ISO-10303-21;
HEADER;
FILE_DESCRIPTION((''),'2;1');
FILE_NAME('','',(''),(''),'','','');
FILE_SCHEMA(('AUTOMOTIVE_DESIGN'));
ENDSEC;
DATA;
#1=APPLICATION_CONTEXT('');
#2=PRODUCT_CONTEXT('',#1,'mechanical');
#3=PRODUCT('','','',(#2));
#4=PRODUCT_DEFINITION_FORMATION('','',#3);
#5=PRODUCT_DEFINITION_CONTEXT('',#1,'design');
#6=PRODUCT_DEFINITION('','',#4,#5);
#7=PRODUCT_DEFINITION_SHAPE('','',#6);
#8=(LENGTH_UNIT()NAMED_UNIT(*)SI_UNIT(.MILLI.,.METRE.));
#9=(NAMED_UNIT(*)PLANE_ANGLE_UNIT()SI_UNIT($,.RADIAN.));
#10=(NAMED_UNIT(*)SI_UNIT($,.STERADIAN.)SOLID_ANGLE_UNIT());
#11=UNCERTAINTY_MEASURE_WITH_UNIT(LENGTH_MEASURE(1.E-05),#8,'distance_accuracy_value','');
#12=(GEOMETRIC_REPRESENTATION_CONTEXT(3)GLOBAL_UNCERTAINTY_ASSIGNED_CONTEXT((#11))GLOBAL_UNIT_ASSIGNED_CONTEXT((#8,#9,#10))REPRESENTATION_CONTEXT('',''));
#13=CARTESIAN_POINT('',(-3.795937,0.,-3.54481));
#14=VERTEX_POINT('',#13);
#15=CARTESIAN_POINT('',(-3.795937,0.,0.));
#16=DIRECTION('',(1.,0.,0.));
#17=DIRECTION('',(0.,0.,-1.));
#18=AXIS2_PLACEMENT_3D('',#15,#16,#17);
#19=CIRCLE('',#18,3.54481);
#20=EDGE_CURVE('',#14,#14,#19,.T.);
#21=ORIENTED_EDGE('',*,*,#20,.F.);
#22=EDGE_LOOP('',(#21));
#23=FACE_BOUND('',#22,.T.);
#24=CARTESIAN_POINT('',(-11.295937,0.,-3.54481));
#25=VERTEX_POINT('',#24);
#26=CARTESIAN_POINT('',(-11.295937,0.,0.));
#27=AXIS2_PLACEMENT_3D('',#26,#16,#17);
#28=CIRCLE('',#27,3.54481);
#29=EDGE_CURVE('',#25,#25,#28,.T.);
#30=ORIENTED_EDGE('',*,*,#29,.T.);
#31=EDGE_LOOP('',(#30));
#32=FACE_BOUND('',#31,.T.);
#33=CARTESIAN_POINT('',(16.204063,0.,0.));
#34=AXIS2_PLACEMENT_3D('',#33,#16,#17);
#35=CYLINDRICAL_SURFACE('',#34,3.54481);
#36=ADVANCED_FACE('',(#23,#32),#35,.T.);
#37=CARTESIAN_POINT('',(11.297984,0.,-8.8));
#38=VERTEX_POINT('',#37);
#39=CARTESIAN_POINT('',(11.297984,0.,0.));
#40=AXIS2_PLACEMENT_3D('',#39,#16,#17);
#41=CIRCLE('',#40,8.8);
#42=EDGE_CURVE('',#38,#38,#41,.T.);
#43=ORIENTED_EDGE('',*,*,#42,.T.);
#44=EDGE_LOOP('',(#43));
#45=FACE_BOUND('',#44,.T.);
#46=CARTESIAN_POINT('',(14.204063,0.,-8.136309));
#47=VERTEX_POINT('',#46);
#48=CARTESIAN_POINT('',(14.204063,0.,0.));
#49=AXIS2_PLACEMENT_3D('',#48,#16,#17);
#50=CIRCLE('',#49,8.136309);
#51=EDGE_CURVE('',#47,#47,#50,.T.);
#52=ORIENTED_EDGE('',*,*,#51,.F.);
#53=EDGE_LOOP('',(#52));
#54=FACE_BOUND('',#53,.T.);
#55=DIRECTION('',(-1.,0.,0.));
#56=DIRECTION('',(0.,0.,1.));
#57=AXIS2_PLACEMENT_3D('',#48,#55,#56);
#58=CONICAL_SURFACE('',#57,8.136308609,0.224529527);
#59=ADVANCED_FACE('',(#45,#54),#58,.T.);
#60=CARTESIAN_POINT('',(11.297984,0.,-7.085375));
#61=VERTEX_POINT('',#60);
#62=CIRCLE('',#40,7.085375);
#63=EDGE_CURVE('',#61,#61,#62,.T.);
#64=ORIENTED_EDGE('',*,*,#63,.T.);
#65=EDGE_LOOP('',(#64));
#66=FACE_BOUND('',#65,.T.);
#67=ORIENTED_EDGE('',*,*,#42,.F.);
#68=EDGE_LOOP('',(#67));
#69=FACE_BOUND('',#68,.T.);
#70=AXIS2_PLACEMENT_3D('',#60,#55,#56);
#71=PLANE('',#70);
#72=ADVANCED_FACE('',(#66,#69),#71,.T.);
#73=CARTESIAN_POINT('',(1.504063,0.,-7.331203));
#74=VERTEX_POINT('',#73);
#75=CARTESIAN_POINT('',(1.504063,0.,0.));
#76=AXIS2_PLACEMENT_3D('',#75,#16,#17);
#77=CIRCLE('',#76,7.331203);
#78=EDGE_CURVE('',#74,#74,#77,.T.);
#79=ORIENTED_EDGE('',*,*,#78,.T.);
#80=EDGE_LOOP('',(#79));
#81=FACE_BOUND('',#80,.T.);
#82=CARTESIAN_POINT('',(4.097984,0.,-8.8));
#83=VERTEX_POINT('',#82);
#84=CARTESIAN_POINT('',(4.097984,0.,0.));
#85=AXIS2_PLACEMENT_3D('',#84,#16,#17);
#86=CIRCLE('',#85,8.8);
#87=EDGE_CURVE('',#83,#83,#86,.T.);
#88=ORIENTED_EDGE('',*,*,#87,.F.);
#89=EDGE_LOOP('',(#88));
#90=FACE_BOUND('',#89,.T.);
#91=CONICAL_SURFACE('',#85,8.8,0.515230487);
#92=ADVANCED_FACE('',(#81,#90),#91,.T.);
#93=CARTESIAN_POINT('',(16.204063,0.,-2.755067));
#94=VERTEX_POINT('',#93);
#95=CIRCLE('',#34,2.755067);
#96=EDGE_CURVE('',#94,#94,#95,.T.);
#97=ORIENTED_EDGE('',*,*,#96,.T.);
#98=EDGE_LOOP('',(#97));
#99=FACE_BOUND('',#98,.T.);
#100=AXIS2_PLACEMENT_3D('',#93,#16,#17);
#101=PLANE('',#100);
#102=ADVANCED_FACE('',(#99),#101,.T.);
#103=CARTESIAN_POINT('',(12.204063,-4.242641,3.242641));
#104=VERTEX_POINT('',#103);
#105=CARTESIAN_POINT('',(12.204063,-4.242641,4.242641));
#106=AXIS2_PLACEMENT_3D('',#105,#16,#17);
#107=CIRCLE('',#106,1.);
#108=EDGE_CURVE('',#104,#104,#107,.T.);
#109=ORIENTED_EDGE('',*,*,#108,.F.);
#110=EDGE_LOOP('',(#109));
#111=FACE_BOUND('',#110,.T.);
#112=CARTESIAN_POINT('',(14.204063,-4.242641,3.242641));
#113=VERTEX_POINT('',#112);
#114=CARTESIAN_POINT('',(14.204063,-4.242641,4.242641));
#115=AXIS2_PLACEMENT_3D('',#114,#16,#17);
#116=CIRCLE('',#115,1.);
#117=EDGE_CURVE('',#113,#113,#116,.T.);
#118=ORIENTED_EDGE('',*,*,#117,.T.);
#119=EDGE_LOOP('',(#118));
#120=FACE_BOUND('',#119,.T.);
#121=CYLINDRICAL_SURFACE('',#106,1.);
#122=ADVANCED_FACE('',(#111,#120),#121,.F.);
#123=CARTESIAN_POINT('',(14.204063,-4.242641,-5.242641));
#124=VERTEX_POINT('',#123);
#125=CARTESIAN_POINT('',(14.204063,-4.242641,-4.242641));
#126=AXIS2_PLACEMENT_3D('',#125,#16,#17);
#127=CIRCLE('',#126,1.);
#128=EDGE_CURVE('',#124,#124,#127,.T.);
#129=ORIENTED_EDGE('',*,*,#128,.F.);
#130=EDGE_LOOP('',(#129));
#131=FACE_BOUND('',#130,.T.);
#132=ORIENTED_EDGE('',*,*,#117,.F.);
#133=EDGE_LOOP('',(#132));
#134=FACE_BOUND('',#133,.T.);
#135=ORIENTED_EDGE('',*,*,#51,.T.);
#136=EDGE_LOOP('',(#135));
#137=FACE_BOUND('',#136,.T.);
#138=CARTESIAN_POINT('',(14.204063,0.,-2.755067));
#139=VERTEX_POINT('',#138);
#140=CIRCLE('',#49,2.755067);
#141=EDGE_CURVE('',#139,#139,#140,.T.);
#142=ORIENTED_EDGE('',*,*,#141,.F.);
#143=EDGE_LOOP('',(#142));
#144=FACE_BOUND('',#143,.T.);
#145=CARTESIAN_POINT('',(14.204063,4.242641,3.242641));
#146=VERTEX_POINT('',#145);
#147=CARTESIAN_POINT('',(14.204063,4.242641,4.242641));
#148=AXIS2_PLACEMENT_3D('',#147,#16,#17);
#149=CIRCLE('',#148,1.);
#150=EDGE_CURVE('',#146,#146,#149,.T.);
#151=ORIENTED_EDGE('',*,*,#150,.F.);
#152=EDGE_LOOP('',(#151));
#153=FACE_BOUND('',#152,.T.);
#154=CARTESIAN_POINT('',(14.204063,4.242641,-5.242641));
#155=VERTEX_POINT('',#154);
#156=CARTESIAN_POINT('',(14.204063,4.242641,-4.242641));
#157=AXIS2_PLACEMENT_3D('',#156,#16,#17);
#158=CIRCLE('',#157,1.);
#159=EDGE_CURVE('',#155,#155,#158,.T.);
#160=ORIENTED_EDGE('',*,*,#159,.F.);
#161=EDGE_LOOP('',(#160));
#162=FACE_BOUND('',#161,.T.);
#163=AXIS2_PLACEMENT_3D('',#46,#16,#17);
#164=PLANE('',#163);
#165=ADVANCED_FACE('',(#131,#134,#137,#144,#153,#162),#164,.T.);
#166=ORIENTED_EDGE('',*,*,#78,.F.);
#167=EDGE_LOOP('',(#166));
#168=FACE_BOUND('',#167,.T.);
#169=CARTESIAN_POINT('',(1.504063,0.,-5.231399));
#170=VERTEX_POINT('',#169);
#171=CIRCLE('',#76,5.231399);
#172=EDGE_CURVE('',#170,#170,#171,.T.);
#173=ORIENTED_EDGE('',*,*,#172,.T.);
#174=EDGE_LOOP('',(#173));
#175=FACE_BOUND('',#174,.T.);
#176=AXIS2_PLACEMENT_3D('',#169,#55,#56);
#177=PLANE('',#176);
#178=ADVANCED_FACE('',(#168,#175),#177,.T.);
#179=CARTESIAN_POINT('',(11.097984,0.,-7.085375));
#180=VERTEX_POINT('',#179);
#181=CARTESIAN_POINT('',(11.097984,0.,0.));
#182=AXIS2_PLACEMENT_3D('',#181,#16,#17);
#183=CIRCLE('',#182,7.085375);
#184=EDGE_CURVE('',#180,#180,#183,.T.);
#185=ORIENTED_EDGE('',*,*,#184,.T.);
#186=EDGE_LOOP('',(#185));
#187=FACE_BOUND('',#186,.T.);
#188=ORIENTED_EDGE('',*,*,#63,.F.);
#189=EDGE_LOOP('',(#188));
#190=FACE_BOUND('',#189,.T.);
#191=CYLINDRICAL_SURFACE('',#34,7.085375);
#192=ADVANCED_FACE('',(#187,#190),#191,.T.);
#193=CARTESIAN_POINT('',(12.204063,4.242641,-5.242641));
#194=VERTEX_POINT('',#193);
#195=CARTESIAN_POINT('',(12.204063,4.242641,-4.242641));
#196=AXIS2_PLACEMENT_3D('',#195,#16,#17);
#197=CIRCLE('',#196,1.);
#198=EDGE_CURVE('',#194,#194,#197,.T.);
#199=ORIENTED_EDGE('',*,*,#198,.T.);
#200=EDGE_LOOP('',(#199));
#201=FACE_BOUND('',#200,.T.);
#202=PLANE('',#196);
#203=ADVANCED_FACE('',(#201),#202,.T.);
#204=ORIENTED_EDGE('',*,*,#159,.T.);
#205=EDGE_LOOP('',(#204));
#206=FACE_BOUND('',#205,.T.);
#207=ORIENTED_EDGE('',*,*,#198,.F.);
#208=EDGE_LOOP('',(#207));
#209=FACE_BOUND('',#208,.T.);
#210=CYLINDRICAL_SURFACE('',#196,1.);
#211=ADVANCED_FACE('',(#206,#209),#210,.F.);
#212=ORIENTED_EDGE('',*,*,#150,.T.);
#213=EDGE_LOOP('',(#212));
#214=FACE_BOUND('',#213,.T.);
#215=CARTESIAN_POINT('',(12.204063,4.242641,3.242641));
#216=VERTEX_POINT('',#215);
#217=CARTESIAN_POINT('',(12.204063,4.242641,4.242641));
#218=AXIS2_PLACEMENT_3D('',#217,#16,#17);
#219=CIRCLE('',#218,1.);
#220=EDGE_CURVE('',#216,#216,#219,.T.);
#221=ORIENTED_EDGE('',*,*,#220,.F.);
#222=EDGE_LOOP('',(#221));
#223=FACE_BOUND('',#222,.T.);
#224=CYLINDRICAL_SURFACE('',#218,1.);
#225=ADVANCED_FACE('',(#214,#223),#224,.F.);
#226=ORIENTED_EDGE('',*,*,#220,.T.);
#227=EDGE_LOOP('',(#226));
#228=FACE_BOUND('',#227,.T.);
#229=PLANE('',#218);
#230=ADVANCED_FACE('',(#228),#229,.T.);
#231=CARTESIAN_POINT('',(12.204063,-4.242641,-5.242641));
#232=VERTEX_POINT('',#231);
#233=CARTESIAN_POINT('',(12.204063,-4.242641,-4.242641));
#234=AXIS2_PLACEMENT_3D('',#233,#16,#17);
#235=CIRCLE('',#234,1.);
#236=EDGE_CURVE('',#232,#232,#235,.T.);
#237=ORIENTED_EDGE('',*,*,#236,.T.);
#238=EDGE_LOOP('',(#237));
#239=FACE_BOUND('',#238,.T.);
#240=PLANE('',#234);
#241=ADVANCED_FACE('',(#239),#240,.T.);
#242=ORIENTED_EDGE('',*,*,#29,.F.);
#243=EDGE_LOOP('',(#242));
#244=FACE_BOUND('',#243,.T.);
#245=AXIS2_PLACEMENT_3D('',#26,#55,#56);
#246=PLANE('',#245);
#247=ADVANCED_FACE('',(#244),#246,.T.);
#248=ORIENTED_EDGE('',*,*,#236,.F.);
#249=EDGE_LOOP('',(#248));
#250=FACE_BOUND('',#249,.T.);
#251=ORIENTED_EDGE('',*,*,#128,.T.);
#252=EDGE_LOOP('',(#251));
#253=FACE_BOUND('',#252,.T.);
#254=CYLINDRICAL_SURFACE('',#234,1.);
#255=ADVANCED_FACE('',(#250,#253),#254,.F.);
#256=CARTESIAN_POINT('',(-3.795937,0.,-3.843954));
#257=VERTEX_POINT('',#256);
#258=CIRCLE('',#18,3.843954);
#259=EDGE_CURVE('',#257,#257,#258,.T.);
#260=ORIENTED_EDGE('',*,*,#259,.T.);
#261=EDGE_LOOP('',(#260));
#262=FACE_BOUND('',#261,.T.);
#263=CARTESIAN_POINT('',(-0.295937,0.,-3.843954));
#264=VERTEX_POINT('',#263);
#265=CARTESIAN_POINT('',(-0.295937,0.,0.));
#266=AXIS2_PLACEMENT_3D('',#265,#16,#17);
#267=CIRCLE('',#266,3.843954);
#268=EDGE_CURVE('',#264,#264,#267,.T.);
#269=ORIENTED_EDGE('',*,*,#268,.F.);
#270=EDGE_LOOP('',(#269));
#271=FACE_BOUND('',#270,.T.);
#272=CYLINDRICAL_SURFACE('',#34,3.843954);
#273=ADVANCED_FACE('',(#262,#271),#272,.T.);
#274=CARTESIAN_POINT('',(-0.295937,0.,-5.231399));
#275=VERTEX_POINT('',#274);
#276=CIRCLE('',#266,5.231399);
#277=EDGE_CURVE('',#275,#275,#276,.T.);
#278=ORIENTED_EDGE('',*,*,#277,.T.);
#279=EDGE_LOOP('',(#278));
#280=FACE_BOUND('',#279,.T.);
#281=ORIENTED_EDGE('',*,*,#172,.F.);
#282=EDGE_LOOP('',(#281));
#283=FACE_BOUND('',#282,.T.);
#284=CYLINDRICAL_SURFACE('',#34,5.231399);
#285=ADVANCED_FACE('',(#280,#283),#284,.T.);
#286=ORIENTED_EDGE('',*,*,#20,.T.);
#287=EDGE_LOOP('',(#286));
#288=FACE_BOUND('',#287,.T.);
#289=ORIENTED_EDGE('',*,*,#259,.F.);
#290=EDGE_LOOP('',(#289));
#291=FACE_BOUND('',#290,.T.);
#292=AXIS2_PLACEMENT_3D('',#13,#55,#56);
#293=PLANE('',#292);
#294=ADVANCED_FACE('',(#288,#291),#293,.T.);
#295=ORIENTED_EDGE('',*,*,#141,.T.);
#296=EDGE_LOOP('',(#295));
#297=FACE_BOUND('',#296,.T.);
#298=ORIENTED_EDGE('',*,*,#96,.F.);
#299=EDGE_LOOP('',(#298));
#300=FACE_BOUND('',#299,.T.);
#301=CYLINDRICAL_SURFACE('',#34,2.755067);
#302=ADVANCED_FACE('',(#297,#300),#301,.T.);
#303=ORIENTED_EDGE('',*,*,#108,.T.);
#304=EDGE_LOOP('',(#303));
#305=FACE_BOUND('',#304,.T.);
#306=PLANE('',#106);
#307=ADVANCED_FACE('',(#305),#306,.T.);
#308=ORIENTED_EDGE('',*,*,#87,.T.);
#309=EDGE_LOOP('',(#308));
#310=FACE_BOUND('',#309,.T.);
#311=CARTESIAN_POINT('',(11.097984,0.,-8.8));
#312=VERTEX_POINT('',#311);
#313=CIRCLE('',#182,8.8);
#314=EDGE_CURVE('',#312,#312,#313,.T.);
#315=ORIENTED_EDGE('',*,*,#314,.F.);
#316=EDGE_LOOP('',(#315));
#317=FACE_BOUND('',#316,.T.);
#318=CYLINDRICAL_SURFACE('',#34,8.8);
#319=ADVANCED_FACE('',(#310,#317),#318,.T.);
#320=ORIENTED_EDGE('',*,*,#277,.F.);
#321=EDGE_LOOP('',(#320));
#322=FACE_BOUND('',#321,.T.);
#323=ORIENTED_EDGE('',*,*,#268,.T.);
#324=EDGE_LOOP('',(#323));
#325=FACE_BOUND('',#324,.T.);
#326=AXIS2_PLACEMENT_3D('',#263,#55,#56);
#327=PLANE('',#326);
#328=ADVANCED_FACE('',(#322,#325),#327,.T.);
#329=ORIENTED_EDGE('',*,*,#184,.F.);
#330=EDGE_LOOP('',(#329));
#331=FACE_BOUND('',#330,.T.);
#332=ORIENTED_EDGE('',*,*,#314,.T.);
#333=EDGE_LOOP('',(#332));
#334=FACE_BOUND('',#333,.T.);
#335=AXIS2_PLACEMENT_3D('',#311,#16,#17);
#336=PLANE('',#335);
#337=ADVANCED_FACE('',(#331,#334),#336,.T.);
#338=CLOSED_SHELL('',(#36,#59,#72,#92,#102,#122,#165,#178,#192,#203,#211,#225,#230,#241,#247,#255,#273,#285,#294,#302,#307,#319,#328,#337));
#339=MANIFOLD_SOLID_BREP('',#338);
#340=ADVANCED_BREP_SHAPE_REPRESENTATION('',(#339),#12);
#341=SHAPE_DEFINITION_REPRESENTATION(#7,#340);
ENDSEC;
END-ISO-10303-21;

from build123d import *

# Parameters (mm, degrees)
SKETCH3_R          = 1
CUT_EXTRUDE1_DEPTH = 2


with BuildPart() as part:
    # Sketch2 → Revolve1 (revolve)
    with BuildSketch(Plane(origin=(0, 0, 0), x_dir=(1, 0, 0), z_dir=(0, 1, 0))):
        Polygon((-0.295936569, 3.843953818), (-0.295936569, 5.231399235), (1.504063431, 5.231399235), (1.504063431, 7.33120321), (4.097983636, 8.8), (11.097983636, 8.8), (11.097983636, 7.085375335), (11.297983636, 7.085375335), (11.297983636, 8.8), (14.204063431, 8.136308609), (14.204063431, 2.755066744), (16.204063431, 2.755066744), (16.204063431, 0), (-11.295936569, 0), (-11.295936569, 3.544810333), (-3.795936569, 3.544810333), (-3.795936569, 3.843953818), align=None)
    revolve(axis=Axis((16.204063431, 0, 0), (-1, 0, 0)))

    # Sketch3 → Cut-Extrude1 (cut)
    with BuildSketch(Plane(origin=(14.204063431, 0, 0), x_dir=(0, 0, -1), z_dir=(1, 0, 0))):
        with Locations((4.242640687, 4.242640687)):
            Circle(SKETCH3_R)
        with Locations((4.242640687, -4.242640687)):
            Circle(SKETCH3_R)
        with Locations((-4.242640687, -4.242640687)):
            Circle(SKETCH3_R)
        with Locations((-4.242640687, 4.242640687)):
            Circle(SKETCH3_R)
    extrude(amount=-CUT_EXTRUDE1_DEPTH, mode=Mode.SUBTRACT)


solid = part.part
